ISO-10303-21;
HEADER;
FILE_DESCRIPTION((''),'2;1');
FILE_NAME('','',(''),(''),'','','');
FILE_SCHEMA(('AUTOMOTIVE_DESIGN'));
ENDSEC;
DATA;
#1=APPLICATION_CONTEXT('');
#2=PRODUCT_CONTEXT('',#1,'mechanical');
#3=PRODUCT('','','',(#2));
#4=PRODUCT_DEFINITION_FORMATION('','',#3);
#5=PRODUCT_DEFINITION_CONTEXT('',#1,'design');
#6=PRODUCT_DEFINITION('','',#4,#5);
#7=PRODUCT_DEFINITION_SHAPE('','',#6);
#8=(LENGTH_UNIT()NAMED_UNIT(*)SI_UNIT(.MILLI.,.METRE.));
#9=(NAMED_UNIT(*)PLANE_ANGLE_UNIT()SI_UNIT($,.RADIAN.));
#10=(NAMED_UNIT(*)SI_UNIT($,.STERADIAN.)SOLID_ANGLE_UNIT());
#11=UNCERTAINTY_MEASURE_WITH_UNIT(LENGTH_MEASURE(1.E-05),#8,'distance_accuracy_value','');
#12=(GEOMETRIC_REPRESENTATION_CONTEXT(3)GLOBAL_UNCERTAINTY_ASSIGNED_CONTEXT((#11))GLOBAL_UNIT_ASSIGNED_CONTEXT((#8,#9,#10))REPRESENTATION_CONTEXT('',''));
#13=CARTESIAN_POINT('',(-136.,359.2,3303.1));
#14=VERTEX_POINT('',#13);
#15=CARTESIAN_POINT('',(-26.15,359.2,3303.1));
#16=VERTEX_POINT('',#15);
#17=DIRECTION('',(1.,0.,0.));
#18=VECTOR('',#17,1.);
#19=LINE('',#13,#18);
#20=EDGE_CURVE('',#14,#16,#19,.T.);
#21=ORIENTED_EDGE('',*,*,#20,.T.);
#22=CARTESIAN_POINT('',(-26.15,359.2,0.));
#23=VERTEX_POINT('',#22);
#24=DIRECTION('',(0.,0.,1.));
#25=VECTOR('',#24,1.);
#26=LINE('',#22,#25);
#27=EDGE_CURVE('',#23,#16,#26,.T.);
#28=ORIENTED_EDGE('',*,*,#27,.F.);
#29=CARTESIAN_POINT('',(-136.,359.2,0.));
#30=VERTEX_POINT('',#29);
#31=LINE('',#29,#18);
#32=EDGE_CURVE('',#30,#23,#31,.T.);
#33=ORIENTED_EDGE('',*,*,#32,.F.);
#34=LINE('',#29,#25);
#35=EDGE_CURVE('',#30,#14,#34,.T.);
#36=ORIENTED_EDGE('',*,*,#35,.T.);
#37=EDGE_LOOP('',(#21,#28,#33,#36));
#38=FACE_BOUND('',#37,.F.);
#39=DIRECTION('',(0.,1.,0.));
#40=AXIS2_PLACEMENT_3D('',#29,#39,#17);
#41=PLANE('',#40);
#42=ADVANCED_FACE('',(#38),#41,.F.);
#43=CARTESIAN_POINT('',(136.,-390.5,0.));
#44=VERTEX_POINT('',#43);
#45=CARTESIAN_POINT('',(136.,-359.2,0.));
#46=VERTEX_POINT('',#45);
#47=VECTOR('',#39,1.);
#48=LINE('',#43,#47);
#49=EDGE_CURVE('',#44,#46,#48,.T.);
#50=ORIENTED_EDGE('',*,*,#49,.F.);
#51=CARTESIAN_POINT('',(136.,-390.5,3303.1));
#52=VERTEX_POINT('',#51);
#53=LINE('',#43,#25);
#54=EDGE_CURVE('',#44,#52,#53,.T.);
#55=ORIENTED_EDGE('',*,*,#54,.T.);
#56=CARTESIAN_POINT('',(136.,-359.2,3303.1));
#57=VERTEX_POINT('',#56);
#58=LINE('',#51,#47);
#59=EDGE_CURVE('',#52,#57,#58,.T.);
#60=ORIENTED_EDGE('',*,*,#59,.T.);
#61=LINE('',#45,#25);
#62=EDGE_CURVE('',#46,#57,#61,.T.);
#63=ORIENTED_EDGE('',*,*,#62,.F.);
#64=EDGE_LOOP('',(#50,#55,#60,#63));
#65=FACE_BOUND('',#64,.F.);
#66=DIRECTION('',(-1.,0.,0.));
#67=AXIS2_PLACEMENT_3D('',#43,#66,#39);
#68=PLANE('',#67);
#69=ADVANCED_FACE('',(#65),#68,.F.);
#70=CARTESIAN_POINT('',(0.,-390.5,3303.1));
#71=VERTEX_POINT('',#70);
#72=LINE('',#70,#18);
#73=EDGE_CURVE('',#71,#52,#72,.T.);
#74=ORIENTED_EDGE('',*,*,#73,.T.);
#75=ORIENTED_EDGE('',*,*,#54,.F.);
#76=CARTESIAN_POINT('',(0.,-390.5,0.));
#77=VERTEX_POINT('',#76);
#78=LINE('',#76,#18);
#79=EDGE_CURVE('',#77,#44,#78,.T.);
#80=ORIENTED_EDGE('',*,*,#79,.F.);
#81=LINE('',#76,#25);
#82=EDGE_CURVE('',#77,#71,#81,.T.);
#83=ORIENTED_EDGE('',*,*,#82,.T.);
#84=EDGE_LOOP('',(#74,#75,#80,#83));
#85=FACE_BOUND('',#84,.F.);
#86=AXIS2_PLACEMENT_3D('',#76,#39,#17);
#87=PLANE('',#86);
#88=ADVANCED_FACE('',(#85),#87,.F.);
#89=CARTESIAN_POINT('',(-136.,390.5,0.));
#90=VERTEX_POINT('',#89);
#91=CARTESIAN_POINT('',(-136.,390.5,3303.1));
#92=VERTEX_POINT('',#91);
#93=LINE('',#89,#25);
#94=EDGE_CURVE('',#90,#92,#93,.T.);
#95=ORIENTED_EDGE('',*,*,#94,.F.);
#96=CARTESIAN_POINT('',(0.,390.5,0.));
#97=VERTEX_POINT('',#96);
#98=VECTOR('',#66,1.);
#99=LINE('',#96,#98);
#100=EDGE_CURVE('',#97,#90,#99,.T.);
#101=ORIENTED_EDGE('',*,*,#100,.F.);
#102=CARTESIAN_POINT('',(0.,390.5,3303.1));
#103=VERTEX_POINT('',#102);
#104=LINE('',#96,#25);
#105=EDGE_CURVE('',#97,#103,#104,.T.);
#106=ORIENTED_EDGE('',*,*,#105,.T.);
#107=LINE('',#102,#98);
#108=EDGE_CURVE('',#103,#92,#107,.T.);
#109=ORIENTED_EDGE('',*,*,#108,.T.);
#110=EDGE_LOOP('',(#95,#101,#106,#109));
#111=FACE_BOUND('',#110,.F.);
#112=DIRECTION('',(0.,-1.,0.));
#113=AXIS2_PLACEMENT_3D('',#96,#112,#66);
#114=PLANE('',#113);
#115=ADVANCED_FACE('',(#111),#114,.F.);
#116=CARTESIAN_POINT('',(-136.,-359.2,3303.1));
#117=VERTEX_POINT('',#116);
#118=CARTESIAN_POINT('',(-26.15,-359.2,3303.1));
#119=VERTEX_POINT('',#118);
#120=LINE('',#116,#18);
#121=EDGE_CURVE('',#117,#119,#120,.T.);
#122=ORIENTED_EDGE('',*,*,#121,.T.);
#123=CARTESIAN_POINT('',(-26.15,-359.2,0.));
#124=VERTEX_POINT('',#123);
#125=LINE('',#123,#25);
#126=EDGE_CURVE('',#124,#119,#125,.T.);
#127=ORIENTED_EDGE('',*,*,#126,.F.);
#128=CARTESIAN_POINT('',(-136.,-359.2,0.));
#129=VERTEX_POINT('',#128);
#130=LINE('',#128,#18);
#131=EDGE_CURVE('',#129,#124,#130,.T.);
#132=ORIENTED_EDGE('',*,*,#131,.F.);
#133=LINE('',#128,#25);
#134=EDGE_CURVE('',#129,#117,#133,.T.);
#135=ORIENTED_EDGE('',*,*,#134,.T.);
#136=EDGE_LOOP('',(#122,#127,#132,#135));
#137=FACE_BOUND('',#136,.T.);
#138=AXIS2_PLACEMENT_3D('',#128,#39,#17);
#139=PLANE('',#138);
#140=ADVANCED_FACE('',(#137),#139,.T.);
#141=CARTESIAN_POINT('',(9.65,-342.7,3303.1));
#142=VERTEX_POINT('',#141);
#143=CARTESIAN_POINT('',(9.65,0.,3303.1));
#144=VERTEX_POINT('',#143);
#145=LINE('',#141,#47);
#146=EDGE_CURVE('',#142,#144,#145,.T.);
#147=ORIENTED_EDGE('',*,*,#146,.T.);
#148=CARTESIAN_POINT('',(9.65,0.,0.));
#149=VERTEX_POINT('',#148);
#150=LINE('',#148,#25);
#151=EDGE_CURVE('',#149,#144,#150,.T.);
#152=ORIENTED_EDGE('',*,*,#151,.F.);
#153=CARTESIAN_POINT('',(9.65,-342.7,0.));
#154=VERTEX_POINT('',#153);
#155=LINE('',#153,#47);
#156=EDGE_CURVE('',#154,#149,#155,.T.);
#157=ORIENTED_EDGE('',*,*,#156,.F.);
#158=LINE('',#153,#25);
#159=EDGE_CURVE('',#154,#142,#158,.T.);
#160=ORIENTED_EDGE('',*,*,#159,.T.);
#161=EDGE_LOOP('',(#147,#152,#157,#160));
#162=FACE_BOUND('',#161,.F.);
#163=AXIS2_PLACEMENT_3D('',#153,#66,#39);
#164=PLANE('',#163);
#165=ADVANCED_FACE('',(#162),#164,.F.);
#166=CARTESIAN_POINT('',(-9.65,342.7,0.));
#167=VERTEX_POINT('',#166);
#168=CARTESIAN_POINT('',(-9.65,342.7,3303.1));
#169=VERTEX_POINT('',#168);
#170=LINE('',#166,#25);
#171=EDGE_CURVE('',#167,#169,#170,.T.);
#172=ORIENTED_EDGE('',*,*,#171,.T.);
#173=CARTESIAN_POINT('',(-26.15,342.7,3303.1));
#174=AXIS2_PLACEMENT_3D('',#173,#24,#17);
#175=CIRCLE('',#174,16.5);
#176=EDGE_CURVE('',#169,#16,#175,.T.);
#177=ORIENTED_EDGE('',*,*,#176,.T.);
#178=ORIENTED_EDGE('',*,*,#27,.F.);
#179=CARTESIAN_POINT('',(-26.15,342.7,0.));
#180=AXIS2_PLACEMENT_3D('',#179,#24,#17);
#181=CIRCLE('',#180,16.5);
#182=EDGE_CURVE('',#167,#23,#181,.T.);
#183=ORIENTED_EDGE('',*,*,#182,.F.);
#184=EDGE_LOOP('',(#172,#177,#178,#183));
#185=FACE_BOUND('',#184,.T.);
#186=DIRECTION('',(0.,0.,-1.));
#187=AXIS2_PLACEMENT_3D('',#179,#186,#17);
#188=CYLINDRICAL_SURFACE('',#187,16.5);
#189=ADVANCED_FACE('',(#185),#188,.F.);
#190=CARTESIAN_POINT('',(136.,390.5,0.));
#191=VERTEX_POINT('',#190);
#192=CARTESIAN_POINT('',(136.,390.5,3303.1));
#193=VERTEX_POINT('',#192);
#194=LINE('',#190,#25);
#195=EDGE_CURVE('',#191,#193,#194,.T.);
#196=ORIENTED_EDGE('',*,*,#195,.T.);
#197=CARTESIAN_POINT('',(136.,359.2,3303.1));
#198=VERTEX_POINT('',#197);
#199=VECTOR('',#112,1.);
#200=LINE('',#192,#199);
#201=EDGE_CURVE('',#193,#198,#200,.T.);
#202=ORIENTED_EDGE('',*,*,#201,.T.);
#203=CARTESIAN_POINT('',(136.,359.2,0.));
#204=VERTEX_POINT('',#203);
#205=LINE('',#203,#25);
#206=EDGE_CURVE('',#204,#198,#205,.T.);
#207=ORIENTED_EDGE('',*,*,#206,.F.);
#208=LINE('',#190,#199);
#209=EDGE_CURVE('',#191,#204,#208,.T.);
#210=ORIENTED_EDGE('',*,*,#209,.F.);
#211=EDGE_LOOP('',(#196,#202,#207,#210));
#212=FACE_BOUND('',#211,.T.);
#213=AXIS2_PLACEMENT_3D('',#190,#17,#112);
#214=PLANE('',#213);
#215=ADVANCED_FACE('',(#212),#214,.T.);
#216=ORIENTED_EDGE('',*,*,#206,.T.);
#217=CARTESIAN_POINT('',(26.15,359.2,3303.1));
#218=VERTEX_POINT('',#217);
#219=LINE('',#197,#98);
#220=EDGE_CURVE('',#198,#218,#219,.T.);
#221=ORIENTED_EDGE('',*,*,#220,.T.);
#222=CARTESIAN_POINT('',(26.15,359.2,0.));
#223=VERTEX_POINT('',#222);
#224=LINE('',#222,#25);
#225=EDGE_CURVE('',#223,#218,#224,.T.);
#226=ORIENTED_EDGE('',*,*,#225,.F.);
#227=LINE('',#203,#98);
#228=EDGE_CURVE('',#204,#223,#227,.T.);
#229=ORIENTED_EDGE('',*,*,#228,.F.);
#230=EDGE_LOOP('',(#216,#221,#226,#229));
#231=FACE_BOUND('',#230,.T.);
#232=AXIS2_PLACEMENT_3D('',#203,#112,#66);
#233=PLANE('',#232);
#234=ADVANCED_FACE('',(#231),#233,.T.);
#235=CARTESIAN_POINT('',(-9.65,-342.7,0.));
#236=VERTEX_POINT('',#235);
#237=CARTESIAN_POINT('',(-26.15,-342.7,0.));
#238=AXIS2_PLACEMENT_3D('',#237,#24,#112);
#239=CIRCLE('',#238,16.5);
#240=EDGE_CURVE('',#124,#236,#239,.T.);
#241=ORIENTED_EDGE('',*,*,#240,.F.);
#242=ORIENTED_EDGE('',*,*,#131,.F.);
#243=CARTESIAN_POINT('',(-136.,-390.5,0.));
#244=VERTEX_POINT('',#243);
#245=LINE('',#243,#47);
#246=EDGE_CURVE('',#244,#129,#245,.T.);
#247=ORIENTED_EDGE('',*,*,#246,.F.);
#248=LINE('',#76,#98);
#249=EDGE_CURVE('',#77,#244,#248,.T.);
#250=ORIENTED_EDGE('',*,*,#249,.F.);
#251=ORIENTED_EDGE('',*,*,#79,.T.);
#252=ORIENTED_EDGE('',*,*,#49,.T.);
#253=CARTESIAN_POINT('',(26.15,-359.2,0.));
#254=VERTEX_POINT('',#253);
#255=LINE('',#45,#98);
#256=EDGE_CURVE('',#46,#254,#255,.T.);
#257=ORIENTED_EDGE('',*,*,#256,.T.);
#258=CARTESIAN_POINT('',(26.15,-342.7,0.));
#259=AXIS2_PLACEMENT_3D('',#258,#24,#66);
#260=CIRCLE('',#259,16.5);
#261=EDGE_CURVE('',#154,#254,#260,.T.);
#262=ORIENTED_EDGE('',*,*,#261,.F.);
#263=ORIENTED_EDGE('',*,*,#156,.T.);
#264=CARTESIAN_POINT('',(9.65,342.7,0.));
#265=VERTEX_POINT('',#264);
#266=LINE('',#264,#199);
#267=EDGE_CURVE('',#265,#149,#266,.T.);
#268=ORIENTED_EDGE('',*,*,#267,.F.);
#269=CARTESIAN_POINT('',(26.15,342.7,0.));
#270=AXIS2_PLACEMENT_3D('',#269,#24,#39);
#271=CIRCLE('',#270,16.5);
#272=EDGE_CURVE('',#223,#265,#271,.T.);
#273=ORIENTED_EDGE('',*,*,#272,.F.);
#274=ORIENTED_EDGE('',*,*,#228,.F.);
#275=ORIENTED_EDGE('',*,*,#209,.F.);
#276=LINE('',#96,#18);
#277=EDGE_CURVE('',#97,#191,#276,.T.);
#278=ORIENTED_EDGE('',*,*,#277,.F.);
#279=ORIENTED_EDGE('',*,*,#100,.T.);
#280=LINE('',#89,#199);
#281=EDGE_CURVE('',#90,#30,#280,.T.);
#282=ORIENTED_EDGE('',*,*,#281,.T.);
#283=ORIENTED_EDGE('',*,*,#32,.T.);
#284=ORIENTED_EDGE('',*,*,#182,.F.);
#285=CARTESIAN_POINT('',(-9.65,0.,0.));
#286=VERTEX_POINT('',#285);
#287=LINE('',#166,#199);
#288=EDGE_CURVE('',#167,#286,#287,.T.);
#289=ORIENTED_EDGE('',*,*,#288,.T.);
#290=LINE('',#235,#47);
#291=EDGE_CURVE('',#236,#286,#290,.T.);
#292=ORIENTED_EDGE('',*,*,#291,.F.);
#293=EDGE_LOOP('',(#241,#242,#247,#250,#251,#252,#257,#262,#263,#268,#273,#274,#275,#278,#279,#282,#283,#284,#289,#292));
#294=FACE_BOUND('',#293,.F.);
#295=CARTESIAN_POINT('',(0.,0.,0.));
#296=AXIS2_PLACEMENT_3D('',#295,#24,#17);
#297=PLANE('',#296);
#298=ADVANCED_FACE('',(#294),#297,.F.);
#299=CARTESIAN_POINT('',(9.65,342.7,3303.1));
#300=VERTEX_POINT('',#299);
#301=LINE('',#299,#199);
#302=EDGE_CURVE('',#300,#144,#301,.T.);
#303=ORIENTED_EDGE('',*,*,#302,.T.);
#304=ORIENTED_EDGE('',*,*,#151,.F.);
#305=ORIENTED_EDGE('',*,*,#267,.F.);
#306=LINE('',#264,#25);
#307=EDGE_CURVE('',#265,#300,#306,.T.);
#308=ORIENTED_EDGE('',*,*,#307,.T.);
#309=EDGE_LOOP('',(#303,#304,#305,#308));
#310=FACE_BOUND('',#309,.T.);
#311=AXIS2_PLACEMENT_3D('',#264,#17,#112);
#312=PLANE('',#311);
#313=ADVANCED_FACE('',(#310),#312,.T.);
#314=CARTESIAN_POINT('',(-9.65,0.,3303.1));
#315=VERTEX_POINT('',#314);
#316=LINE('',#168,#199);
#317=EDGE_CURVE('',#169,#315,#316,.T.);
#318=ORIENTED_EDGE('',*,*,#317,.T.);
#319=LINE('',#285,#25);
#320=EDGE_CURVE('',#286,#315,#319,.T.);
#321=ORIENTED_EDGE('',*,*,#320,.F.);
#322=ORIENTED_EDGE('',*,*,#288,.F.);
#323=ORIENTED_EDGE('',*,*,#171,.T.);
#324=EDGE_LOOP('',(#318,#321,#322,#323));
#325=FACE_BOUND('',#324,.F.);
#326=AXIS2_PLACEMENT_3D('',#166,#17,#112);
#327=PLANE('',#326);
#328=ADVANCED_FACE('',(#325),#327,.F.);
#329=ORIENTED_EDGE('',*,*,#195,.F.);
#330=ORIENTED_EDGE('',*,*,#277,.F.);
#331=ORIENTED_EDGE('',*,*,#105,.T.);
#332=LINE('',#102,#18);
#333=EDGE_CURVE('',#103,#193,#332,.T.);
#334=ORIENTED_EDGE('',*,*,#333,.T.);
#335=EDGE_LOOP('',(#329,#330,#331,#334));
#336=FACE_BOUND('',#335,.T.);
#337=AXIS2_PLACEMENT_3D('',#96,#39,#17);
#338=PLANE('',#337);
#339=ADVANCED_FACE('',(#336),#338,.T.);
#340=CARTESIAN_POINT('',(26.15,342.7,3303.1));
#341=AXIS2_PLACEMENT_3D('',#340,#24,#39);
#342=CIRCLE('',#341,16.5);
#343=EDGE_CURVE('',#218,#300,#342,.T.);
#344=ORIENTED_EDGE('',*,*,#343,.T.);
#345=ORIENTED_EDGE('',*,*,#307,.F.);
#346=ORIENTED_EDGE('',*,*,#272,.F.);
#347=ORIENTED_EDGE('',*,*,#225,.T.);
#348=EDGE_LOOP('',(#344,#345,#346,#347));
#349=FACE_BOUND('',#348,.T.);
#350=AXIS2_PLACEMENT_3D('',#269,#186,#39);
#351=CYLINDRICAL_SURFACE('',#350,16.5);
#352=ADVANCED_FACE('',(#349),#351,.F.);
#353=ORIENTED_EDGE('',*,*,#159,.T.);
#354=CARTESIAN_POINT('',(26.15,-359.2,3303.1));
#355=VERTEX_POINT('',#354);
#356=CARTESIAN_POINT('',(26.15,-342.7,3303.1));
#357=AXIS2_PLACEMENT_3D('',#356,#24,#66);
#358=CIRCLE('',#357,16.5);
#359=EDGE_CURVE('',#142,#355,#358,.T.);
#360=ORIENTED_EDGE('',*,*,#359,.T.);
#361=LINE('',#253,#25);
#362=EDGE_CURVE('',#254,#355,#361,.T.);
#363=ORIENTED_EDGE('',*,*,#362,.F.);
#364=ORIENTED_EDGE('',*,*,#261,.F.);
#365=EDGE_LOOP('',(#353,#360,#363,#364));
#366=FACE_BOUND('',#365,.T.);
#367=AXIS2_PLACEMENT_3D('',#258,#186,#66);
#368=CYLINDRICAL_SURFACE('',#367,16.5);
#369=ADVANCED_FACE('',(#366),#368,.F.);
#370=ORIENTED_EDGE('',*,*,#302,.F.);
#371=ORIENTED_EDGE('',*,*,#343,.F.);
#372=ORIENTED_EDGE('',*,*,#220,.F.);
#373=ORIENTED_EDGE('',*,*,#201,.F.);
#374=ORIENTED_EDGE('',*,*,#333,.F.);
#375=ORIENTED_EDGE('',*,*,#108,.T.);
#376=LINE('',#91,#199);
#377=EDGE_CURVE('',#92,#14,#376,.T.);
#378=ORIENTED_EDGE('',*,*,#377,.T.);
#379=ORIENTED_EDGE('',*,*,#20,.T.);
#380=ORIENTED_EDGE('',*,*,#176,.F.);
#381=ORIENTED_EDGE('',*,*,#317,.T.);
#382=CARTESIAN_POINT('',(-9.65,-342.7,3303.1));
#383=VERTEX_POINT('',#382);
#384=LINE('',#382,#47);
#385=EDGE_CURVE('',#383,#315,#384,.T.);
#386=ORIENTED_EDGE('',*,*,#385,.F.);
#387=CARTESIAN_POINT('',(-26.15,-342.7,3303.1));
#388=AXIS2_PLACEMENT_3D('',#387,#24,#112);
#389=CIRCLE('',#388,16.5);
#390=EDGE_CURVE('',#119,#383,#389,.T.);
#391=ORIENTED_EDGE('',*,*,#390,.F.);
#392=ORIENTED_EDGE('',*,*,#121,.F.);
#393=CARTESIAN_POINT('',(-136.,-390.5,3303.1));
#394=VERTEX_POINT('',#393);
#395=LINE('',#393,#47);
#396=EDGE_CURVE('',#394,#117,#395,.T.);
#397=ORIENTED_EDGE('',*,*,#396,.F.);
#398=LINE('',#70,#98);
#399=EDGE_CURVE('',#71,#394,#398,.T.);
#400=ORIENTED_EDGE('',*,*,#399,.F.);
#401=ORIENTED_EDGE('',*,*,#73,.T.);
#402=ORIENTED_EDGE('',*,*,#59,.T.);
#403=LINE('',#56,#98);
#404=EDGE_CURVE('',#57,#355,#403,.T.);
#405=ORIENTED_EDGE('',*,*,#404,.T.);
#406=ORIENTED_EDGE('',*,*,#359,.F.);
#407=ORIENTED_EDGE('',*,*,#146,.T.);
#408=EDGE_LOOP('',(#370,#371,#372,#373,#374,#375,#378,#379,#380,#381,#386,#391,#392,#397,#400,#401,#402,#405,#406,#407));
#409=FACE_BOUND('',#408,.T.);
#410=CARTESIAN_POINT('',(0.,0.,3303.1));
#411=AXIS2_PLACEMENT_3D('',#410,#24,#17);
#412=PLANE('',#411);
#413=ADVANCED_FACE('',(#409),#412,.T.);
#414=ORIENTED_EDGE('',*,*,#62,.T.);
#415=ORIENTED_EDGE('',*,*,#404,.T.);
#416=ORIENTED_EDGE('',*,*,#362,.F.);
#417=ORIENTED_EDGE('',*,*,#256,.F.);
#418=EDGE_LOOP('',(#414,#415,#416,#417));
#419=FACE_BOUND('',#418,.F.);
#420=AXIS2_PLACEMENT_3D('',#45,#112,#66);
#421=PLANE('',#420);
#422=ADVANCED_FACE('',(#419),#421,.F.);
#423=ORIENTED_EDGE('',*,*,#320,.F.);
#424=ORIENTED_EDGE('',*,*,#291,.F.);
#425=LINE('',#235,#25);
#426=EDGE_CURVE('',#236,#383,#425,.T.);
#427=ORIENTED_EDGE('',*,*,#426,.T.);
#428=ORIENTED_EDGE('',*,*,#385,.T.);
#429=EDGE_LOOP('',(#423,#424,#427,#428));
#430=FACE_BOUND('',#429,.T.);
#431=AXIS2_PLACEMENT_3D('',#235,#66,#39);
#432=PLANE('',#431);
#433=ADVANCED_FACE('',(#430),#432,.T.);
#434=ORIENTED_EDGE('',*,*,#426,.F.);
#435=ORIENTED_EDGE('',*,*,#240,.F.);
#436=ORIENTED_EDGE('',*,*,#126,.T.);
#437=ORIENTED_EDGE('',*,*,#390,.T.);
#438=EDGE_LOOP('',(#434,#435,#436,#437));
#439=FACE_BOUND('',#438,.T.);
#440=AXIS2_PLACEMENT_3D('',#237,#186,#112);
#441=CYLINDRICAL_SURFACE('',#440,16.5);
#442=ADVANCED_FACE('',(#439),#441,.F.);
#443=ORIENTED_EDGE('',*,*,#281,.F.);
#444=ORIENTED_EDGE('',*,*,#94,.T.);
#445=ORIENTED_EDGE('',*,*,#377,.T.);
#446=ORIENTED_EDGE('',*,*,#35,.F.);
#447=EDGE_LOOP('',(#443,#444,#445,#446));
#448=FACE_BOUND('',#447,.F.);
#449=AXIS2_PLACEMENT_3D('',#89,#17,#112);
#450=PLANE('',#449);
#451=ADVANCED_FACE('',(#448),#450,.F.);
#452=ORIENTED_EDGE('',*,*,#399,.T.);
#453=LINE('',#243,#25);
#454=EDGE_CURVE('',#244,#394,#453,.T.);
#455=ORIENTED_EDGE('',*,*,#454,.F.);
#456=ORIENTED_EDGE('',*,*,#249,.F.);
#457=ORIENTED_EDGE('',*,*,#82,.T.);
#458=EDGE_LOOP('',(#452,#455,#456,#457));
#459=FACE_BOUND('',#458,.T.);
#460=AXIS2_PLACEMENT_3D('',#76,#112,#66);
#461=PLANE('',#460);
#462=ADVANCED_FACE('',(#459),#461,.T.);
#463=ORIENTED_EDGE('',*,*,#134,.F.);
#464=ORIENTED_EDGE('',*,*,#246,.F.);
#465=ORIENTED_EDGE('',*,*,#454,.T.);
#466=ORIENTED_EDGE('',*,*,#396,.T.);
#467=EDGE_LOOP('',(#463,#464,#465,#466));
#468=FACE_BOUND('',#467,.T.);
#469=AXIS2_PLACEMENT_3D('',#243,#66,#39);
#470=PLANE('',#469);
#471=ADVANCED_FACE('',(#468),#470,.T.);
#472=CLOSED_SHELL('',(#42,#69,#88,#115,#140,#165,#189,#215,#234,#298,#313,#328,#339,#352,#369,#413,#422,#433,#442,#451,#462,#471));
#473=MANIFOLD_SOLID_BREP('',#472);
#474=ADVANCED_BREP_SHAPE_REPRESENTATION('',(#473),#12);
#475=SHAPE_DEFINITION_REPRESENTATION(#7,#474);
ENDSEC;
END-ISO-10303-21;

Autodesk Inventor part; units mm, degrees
ref_plane "YZ Plane" through (0, 0, 0) normal (1, 0, 0) x (0, 1, 0)
ref_plane "Start plane" through (0, 0, 0) normal (0, 0, 1) x (1, 0, 0)
ref_plane "End plane" through (0, 0, 3303.1) normal (0, 0, 1) x (1, 0, 0)
sketch "Sketch" plane through (0, 0, 0) normal (0, 0, 1) x (1, 0, 0)
  line L0 (-136, -390.5) -> (-136, -359.2)
  line L1 (-136, -359.2) -> (-26.15, -359.2)
  line L2 (-9.65, -342.7) -> (-9.65, 0)
  line L3 (-9.65, 0) -> (0, 0) construction
  line L4 (0, 0) -> (0, -390.5) construction
  line L5 (0, -390.5) -> (-136, -390.5)
  line L6 (-60, 0) -> (80, 0) construction
  line L7 (0, -60) -> (0, 80) construction
  line L8 (136, -390.5) -> (136, -359.2)
  line L9 (136, -359.2) -> (26.15, -359.2)
  line L10 (9.65, -342.7) -> (9.65, 0)
  line L11 (9.65, 0) -> (0, 0) construction
  line L12 (0, -390.5) -> (136, -390.5)
  line L13 (-136, 390.5) -> (-136, 359.2)
  line L14 (-136, 359.2) -> (-26.15, 359.2)
  line L15 (-9.65, 342.7) -> (-9.65, 0)
  line L16 (0, 390.5) -> (-136, 390.5)
  line L17 (136, 390.5) -> (136, 359.2)
  line L18 (136, 359.2) -> (26.15, 359.2)
  line L19 (0, 390.5) -> (136, 390.5)
  line L20 (9.65, 342.7) -> (9.65, 0)
  arc A0 (-9.65, 342.7) -> (-26.15, 359.2) centre (-26.15, 342.7) ccw
  arc A1 (26.15, 359.2) -> (9.65, 342.7) centre (26.15, 342.7) ccw
  arc A2 (9.65, -342.7) -> (26.15, -359.2) centre (26.15, -342.7) ccw
  arc A3 (-26.15, -359.2) -> (-9.65, -342.7) centre (-26.15, -342.7) ccw
  line L21 (0, 108) -> (0, -88) construction
  line L22 (-88, 0) -> (108, 0) construction
  point P0 (-9.65, -359.2)
  point P1 (9.65, -359.2)
  point P2 (-9.65, 359.2)
  point P3 (9.65, 359.2)
  dimension "d1" = 390.5
  dimension "d2" = 31.3
  dimension "d3" = 136
  dimension "d4" = 9.65
  dimension "d10" = 16.5
extrude "Body" add sketch "Sketch" along normal up to surface (3303.1 mm away) from surface at 0
sketch "Sketch4" plane through (0, 0, 0) normal (0, 0, 1) x (1, 0, 0)
  line L0 (0, 0) -> (10, 0)
ref_plane "Work Plane3" through (0, 0, 0) normal (0, -1, 0) x (1, 0, 0)
sketch "Sketch5" plane through (0, 0, 0) normal (0, -1, 0) x (1, 0, 0)
  line L0 (-2, 0) -> (12, 0) projected
  line L1 (-2, 3303.1) -> (12, 3303.1) projected
  dimension "d14" = 3303.1
equation "\"d1\" = 0.5 * G_H"
equation "\"d2\" = G_T1"
equation "\"d3\" = 0.5 * G_W"
equation "\"d4\" = 0.5 * G_T"
equation "\"d10\" = G_IR"
equation "\"d5\" = G_L"
equation "\"G_W\" = 272"
equation "\"G_H\" = 781"
equation "\"G_T\" = 19.3"
equation "\"G_T1\" = 31.3"
equation "\"G_IR\" = 16.5"
equation "\"G_L\" = d14"
equation "\"G_OFFSET_START\" = 0"
equation "\"G_OFFSET_END\" = 0"
equation "\"d12\" = G_OFFSET_END + B_L"
equation "\"B_L\" = 3303.1"
properties part number "AS 3679-1990 - 760 UB - 244 - 3303.1" material "Steel, Mild"
